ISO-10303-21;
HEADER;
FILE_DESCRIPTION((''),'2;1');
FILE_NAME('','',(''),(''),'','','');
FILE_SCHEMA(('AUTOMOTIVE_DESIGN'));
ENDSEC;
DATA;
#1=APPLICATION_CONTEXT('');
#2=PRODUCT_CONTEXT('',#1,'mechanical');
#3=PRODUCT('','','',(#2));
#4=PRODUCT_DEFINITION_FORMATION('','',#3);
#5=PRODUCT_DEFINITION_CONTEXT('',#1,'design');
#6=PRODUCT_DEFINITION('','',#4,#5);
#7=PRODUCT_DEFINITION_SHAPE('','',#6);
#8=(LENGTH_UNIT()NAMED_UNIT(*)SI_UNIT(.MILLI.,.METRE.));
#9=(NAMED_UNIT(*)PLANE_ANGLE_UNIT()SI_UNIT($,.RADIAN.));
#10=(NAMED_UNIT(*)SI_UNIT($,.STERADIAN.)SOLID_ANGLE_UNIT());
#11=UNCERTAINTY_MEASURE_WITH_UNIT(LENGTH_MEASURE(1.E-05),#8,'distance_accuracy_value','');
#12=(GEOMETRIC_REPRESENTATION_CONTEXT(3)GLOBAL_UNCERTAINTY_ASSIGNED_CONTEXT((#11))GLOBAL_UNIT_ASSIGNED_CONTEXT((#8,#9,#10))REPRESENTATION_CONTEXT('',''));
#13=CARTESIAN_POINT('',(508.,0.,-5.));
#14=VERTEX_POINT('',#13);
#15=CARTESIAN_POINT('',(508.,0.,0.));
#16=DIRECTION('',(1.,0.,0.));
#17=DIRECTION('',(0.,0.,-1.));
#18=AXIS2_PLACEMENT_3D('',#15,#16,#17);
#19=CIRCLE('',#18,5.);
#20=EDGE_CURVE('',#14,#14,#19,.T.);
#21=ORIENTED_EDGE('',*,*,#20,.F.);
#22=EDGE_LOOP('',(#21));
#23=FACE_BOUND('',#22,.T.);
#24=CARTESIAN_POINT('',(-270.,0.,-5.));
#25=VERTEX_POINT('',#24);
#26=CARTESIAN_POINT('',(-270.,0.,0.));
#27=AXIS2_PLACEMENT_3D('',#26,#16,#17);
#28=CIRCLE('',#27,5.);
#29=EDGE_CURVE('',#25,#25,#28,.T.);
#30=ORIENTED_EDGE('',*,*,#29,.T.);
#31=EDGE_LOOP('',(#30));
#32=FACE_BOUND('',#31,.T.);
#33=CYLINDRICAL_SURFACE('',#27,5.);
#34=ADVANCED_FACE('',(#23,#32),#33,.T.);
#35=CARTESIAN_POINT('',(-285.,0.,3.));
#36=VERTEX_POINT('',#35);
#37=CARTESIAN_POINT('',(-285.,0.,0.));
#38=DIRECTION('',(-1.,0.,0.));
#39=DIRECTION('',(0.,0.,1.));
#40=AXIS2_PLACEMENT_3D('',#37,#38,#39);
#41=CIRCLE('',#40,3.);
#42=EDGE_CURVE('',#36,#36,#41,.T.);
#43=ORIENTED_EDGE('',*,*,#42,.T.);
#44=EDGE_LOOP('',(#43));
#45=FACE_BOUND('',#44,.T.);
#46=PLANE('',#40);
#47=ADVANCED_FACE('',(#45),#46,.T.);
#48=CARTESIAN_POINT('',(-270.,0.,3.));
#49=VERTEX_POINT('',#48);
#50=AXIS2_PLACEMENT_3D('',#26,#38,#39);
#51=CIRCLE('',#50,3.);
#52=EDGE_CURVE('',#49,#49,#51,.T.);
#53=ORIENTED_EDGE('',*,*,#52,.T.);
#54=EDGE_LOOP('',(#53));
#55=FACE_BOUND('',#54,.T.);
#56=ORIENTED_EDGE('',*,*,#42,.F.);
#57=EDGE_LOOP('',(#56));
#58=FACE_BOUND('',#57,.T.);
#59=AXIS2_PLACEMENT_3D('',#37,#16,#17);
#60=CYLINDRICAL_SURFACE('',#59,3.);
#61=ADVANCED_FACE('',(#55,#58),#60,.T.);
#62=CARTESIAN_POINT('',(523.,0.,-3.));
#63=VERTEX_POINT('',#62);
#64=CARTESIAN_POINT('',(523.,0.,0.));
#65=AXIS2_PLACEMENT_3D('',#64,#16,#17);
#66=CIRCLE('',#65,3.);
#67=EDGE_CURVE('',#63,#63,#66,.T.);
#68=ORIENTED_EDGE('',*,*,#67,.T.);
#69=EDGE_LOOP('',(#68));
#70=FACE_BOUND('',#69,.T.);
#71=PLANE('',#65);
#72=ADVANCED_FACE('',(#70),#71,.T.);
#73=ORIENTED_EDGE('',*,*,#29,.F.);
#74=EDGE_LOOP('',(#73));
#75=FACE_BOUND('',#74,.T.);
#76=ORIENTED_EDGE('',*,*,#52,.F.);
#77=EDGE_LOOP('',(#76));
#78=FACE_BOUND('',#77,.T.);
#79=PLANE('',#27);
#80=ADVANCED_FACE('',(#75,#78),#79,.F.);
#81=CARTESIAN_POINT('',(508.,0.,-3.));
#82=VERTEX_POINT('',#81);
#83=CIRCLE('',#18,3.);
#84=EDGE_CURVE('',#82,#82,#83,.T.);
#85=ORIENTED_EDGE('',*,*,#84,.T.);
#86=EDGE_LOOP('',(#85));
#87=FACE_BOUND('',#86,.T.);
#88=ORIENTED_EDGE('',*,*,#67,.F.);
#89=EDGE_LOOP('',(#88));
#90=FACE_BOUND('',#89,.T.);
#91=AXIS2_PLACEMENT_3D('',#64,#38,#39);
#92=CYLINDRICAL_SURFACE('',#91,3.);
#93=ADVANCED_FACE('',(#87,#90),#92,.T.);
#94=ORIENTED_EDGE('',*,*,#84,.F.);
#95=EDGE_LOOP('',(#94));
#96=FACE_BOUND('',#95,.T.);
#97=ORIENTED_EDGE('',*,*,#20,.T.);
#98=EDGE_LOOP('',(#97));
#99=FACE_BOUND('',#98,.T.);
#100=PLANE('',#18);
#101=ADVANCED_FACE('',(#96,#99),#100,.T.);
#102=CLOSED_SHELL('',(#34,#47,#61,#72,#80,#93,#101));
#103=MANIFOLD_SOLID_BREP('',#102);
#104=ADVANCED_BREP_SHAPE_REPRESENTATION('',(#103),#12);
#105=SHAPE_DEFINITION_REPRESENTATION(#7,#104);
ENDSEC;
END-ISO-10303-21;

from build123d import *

# Parameters (mm, degrees)
EXTRUDE_1_DEPTH      = 508
EXTRUDE_1_DEPTH_BACK = 270
SKETCH_1_R           = 5
SKETCH_2_R           = 3
EXTRUDE_2_DEPTH      = 15
EXTRUDE_START        = 15
SKETCH_7_R           = 3
EXTRUDE_3_DEPTH      = 15


with BuildPart() as part:
    # Эскиз1 → Бобышка-Вытянуть1 (new, two sides: drawn at the far end of the back side and taken through both)
    with BuildSketch(Plane(origin=(0, 0, 0), x_dir=(0, 0, -1), z_dir=(1, 0, 0)).offset(-EXTRUDE_1_DEPTH_BACK)):
        Circle(SKETCH_1_R)
    extrude(amount=EXTRUDE_1_DEPTH + EXTRUDE_1_DEPTH_BACK)

    # Эскиз2 → Бобышка-Вытянуть2 (add)
    with BuildSketch(Plane.ZY.offset(270)):
        Circle(SKETCH_2_R)
    extrude(amount=EXTRUDE_2_DEPTH)

    # Эскиз7 → Бобышка-Вытянуть3 (add)
    with BuildSketch(Plane(origin=(508, 0, 0), x_dir=(0, 0, -1), z_dir=(1, 0, 0)).offset(EXTRUDE_START)):
        with Locations(Location((0, 0, 0), (0, 0, 180))):
            Circle(SKETCH_7_R)
    extrude(amount=-EXTRUDE_3_DEPTH)


solid = part.part
